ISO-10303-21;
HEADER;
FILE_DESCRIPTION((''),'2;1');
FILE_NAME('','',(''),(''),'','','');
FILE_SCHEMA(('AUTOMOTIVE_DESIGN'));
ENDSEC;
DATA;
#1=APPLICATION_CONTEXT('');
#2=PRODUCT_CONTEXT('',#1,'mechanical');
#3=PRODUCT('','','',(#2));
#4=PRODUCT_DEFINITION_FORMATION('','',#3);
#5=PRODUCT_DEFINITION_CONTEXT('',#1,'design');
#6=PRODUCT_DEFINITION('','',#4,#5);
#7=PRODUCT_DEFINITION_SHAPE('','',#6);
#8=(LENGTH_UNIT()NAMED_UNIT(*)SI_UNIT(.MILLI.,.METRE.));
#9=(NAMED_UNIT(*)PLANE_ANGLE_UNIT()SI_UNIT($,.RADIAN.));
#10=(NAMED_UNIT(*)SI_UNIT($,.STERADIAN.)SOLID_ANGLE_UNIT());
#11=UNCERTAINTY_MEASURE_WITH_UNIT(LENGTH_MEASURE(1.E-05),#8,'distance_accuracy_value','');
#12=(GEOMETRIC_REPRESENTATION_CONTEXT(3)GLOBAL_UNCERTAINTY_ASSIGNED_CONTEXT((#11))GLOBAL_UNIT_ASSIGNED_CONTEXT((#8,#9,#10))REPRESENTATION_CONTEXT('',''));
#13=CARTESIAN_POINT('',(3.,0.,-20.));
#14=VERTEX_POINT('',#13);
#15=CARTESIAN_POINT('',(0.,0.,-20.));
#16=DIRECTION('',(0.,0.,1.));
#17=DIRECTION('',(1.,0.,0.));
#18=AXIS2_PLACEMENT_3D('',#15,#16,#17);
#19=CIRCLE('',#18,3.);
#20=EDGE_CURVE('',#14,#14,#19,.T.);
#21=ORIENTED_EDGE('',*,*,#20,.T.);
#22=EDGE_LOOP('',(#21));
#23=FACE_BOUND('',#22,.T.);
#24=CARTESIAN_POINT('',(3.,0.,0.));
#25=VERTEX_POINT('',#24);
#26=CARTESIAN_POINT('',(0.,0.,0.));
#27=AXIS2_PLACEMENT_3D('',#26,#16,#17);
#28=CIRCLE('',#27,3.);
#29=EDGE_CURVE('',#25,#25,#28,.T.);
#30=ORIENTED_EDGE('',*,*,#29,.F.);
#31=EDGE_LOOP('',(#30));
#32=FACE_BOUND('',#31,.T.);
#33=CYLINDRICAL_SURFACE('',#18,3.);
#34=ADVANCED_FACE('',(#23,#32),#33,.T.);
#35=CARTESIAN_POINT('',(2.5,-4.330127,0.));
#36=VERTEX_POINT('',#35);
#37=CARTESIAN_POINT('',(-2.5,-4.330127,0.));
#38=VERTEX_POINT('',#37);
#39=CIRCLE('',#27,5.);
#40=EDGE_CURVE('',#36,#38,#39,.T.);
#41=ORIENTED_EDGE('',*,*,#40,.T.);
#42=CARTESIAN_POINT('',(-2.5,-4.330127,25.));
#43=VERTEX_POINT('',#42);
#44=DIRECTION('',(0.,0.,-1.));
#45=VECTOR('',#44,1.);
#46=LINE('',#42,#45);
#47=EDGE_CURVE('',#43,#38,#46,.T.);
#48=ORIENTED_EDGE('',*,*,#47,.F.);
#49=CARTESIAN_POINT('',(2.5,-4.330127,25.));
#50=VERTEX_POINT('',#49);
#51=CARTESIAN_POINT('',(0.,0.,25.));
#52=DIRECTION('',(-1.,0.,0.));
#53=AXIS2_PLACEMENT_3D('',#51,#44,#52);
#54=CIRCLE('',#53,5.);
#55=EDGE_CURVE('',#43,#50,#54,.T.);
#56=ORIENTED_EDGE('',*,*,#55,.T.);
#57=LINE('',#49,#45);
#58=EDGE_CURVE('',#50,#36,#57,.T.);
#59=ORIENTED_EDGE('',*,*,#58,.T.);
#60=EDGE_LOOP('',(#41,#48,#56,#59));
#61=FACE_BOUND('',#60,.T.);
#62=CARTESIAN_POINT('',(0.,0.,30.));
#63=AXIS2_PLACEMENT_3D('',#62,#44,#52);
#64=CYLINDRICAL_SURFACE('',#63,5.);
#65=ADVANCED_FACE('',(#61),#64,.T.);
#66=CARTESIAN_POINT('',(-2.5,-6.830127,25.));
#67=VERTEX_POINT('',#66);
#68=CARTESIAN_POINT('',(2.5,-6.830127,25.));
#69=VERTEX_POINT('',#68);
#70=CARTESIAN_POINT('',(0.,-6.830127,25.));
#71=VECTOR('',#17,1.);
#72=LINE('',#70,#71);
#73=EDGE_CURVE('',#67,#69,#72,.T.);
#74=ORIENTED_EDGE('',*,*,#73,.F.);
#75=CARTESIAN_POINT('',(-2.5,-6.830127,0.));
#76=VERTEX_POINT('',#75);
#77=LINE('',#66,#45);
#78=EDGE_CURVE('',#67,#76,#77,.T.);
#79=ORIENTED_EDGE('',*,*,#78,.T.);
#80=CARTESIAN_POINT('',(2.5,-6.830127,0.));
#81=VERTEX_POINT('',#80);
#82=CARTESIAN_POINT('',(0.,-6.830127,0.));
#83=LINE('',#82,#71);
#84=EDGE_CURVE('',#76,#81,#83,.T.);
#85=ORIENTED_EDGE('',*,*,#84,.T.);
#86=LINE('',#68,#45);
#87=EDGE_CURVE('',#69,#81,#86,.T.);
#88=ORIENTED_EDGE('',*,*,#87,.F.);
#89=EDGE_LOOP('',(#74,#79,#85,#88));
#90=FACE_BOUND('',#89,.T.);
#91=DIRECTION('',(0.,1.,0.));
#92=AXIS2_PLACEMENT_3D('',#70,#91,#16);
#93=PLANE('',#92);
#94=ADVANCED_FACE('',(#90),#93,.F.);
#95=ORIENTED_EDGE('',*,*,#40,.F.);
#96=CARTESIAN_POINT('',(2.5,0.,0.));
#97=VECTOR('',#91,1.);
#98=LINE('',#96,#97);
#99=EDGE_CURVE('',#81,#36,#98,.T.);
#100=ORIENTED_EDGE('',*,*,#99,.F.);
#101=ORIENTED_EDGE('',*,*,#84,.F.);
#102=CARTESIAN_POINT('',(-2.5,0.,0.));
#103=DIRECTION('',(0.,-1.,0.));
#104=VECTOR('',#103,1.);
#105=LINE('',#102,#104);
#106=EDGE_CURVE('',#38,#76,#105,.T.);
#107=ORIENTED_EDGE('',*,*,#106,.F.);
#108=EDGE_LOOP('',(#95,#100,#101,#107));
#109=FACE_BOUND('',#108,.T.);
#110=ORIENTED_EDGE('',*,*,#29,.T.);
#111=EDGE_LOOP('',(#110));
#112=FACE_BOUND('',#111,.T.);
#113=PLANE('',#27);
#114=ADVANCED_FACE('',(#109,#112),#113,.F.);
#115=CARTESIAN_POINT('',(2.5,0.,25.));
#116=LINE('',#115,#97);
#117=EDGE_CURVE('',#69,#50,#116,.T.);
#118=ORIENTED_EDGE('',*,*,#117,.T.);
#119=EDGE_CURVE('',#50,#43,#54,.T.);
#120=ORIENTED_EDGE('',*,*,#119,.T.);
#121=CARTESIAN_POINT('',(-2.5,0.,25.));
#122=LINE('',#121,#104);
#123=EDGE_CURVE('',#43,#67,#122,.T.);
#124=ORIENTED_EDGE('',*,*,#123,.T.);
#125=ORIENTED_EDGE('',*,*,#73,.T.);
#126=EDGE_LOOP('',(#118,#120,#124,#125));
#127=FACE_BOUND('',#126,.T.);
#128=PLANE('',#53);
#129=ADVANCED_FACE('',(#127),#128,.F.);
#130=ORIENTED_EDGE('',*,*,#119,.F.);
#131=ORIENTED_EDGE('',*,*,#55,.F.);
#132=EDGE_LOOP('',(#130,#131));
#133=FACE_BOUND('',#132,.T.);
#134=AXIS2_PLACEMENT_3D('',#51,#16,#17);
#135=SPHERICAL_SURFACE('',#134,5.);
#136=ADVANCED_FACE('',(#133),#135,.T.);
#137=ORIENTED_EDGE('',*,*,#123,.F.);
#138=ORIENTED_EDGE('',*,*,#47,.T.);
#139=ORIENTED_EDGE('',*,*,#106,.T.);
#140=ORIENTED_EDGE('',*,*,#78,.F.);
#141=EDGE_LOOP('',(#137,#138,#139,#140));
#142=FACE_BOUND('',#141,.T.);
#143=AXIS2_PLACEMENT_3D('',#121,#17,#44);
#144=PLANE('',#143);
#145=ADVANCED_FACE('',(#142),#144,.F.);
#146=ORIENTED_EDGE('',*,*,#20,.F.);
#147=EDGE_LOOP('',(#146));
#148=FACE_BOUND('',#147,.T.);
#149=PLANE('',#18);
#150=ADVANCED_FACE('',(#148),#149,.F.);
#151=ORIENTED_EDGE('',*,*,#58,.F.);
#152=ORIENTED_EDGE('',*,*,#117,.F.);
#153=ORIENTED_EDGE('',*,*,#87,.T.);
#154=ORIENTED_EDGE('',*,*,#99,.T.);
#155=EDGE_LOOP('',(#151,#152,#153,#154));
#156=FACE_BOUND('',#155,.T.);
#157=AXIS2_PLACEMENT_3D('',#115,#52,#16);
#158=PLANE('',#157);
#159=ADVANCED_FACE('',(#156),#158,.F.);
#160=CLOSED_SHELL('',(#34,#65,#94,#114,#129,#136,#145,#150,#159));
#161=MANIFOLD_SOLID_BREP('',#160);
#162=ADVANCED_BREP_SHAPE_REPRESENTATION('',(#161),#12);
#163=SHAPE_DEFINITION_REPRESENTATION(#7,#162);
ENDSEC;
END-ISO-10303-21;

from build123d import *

# Parameters (mm, degrees)
SZKIC1_R                    = 5
DODANIE_WYCI_GNI_CIE1_DEPTH = 30
SZKIC1_3_R                  = 3
DODANIE_WYCI_GNI_CIE2_DEPTH = 20
ZAOKR_GLENIE1_R             = 5
DODANIE_WYCI_GNI_CIE3_DEPTH = 25


with BuildPart() as part:
    # Szkic1 → Dodanie-wyciągnięcie1 (new body)
    with BuildSketch(Plane.XY):
        Circle(SZKIC1_R)
    extrude(amount=DODANIE_WYCI_GNI_CIE1_DEPTH)

    # Szkic1<3> → Dodanie-wyciągnięcie2 (add)
    with BuildSketch(Plane.XY):
        Circle(SZKIC1_3_R)
    extrude(amount=-DODANIE_WYCI_GNI_CIE2_DEPTH)

    # Zaokrąglenie1
    zaokr_glenie1_edges = [part.edges().sort_by_distance(p)[0] for p in [
        (-5, 0, 30),
    ]]
    fillet(zaokr_glenie1_edges, radius=ZAOKR_GLENIE1_R)

    # Szkic3 → Dodanie-wyciągnięcie3 (add)
    with BuildSketch(Plane(origin=(0, 0, 0), x_dir=(-1, 0, 0), z_dir=(0, 0, -1))):
        with BuildLine():
            Line((2.5, -6.830127019), (2.5, -4.330127019))
            ThreePointArc((2.5, -4.330127019), (0, -5), (-2.5, -4.330127019))
            Line((-2.5, -4.330127019), (-2.5, -6.830127019))
            Line((-2.5, -6.830127019), (2.5, -6.830127019))
        make_face()
    extrude(amount=-DODANIE_WYCI_GNI_CIE3_DEPTH)


solid = part.part
